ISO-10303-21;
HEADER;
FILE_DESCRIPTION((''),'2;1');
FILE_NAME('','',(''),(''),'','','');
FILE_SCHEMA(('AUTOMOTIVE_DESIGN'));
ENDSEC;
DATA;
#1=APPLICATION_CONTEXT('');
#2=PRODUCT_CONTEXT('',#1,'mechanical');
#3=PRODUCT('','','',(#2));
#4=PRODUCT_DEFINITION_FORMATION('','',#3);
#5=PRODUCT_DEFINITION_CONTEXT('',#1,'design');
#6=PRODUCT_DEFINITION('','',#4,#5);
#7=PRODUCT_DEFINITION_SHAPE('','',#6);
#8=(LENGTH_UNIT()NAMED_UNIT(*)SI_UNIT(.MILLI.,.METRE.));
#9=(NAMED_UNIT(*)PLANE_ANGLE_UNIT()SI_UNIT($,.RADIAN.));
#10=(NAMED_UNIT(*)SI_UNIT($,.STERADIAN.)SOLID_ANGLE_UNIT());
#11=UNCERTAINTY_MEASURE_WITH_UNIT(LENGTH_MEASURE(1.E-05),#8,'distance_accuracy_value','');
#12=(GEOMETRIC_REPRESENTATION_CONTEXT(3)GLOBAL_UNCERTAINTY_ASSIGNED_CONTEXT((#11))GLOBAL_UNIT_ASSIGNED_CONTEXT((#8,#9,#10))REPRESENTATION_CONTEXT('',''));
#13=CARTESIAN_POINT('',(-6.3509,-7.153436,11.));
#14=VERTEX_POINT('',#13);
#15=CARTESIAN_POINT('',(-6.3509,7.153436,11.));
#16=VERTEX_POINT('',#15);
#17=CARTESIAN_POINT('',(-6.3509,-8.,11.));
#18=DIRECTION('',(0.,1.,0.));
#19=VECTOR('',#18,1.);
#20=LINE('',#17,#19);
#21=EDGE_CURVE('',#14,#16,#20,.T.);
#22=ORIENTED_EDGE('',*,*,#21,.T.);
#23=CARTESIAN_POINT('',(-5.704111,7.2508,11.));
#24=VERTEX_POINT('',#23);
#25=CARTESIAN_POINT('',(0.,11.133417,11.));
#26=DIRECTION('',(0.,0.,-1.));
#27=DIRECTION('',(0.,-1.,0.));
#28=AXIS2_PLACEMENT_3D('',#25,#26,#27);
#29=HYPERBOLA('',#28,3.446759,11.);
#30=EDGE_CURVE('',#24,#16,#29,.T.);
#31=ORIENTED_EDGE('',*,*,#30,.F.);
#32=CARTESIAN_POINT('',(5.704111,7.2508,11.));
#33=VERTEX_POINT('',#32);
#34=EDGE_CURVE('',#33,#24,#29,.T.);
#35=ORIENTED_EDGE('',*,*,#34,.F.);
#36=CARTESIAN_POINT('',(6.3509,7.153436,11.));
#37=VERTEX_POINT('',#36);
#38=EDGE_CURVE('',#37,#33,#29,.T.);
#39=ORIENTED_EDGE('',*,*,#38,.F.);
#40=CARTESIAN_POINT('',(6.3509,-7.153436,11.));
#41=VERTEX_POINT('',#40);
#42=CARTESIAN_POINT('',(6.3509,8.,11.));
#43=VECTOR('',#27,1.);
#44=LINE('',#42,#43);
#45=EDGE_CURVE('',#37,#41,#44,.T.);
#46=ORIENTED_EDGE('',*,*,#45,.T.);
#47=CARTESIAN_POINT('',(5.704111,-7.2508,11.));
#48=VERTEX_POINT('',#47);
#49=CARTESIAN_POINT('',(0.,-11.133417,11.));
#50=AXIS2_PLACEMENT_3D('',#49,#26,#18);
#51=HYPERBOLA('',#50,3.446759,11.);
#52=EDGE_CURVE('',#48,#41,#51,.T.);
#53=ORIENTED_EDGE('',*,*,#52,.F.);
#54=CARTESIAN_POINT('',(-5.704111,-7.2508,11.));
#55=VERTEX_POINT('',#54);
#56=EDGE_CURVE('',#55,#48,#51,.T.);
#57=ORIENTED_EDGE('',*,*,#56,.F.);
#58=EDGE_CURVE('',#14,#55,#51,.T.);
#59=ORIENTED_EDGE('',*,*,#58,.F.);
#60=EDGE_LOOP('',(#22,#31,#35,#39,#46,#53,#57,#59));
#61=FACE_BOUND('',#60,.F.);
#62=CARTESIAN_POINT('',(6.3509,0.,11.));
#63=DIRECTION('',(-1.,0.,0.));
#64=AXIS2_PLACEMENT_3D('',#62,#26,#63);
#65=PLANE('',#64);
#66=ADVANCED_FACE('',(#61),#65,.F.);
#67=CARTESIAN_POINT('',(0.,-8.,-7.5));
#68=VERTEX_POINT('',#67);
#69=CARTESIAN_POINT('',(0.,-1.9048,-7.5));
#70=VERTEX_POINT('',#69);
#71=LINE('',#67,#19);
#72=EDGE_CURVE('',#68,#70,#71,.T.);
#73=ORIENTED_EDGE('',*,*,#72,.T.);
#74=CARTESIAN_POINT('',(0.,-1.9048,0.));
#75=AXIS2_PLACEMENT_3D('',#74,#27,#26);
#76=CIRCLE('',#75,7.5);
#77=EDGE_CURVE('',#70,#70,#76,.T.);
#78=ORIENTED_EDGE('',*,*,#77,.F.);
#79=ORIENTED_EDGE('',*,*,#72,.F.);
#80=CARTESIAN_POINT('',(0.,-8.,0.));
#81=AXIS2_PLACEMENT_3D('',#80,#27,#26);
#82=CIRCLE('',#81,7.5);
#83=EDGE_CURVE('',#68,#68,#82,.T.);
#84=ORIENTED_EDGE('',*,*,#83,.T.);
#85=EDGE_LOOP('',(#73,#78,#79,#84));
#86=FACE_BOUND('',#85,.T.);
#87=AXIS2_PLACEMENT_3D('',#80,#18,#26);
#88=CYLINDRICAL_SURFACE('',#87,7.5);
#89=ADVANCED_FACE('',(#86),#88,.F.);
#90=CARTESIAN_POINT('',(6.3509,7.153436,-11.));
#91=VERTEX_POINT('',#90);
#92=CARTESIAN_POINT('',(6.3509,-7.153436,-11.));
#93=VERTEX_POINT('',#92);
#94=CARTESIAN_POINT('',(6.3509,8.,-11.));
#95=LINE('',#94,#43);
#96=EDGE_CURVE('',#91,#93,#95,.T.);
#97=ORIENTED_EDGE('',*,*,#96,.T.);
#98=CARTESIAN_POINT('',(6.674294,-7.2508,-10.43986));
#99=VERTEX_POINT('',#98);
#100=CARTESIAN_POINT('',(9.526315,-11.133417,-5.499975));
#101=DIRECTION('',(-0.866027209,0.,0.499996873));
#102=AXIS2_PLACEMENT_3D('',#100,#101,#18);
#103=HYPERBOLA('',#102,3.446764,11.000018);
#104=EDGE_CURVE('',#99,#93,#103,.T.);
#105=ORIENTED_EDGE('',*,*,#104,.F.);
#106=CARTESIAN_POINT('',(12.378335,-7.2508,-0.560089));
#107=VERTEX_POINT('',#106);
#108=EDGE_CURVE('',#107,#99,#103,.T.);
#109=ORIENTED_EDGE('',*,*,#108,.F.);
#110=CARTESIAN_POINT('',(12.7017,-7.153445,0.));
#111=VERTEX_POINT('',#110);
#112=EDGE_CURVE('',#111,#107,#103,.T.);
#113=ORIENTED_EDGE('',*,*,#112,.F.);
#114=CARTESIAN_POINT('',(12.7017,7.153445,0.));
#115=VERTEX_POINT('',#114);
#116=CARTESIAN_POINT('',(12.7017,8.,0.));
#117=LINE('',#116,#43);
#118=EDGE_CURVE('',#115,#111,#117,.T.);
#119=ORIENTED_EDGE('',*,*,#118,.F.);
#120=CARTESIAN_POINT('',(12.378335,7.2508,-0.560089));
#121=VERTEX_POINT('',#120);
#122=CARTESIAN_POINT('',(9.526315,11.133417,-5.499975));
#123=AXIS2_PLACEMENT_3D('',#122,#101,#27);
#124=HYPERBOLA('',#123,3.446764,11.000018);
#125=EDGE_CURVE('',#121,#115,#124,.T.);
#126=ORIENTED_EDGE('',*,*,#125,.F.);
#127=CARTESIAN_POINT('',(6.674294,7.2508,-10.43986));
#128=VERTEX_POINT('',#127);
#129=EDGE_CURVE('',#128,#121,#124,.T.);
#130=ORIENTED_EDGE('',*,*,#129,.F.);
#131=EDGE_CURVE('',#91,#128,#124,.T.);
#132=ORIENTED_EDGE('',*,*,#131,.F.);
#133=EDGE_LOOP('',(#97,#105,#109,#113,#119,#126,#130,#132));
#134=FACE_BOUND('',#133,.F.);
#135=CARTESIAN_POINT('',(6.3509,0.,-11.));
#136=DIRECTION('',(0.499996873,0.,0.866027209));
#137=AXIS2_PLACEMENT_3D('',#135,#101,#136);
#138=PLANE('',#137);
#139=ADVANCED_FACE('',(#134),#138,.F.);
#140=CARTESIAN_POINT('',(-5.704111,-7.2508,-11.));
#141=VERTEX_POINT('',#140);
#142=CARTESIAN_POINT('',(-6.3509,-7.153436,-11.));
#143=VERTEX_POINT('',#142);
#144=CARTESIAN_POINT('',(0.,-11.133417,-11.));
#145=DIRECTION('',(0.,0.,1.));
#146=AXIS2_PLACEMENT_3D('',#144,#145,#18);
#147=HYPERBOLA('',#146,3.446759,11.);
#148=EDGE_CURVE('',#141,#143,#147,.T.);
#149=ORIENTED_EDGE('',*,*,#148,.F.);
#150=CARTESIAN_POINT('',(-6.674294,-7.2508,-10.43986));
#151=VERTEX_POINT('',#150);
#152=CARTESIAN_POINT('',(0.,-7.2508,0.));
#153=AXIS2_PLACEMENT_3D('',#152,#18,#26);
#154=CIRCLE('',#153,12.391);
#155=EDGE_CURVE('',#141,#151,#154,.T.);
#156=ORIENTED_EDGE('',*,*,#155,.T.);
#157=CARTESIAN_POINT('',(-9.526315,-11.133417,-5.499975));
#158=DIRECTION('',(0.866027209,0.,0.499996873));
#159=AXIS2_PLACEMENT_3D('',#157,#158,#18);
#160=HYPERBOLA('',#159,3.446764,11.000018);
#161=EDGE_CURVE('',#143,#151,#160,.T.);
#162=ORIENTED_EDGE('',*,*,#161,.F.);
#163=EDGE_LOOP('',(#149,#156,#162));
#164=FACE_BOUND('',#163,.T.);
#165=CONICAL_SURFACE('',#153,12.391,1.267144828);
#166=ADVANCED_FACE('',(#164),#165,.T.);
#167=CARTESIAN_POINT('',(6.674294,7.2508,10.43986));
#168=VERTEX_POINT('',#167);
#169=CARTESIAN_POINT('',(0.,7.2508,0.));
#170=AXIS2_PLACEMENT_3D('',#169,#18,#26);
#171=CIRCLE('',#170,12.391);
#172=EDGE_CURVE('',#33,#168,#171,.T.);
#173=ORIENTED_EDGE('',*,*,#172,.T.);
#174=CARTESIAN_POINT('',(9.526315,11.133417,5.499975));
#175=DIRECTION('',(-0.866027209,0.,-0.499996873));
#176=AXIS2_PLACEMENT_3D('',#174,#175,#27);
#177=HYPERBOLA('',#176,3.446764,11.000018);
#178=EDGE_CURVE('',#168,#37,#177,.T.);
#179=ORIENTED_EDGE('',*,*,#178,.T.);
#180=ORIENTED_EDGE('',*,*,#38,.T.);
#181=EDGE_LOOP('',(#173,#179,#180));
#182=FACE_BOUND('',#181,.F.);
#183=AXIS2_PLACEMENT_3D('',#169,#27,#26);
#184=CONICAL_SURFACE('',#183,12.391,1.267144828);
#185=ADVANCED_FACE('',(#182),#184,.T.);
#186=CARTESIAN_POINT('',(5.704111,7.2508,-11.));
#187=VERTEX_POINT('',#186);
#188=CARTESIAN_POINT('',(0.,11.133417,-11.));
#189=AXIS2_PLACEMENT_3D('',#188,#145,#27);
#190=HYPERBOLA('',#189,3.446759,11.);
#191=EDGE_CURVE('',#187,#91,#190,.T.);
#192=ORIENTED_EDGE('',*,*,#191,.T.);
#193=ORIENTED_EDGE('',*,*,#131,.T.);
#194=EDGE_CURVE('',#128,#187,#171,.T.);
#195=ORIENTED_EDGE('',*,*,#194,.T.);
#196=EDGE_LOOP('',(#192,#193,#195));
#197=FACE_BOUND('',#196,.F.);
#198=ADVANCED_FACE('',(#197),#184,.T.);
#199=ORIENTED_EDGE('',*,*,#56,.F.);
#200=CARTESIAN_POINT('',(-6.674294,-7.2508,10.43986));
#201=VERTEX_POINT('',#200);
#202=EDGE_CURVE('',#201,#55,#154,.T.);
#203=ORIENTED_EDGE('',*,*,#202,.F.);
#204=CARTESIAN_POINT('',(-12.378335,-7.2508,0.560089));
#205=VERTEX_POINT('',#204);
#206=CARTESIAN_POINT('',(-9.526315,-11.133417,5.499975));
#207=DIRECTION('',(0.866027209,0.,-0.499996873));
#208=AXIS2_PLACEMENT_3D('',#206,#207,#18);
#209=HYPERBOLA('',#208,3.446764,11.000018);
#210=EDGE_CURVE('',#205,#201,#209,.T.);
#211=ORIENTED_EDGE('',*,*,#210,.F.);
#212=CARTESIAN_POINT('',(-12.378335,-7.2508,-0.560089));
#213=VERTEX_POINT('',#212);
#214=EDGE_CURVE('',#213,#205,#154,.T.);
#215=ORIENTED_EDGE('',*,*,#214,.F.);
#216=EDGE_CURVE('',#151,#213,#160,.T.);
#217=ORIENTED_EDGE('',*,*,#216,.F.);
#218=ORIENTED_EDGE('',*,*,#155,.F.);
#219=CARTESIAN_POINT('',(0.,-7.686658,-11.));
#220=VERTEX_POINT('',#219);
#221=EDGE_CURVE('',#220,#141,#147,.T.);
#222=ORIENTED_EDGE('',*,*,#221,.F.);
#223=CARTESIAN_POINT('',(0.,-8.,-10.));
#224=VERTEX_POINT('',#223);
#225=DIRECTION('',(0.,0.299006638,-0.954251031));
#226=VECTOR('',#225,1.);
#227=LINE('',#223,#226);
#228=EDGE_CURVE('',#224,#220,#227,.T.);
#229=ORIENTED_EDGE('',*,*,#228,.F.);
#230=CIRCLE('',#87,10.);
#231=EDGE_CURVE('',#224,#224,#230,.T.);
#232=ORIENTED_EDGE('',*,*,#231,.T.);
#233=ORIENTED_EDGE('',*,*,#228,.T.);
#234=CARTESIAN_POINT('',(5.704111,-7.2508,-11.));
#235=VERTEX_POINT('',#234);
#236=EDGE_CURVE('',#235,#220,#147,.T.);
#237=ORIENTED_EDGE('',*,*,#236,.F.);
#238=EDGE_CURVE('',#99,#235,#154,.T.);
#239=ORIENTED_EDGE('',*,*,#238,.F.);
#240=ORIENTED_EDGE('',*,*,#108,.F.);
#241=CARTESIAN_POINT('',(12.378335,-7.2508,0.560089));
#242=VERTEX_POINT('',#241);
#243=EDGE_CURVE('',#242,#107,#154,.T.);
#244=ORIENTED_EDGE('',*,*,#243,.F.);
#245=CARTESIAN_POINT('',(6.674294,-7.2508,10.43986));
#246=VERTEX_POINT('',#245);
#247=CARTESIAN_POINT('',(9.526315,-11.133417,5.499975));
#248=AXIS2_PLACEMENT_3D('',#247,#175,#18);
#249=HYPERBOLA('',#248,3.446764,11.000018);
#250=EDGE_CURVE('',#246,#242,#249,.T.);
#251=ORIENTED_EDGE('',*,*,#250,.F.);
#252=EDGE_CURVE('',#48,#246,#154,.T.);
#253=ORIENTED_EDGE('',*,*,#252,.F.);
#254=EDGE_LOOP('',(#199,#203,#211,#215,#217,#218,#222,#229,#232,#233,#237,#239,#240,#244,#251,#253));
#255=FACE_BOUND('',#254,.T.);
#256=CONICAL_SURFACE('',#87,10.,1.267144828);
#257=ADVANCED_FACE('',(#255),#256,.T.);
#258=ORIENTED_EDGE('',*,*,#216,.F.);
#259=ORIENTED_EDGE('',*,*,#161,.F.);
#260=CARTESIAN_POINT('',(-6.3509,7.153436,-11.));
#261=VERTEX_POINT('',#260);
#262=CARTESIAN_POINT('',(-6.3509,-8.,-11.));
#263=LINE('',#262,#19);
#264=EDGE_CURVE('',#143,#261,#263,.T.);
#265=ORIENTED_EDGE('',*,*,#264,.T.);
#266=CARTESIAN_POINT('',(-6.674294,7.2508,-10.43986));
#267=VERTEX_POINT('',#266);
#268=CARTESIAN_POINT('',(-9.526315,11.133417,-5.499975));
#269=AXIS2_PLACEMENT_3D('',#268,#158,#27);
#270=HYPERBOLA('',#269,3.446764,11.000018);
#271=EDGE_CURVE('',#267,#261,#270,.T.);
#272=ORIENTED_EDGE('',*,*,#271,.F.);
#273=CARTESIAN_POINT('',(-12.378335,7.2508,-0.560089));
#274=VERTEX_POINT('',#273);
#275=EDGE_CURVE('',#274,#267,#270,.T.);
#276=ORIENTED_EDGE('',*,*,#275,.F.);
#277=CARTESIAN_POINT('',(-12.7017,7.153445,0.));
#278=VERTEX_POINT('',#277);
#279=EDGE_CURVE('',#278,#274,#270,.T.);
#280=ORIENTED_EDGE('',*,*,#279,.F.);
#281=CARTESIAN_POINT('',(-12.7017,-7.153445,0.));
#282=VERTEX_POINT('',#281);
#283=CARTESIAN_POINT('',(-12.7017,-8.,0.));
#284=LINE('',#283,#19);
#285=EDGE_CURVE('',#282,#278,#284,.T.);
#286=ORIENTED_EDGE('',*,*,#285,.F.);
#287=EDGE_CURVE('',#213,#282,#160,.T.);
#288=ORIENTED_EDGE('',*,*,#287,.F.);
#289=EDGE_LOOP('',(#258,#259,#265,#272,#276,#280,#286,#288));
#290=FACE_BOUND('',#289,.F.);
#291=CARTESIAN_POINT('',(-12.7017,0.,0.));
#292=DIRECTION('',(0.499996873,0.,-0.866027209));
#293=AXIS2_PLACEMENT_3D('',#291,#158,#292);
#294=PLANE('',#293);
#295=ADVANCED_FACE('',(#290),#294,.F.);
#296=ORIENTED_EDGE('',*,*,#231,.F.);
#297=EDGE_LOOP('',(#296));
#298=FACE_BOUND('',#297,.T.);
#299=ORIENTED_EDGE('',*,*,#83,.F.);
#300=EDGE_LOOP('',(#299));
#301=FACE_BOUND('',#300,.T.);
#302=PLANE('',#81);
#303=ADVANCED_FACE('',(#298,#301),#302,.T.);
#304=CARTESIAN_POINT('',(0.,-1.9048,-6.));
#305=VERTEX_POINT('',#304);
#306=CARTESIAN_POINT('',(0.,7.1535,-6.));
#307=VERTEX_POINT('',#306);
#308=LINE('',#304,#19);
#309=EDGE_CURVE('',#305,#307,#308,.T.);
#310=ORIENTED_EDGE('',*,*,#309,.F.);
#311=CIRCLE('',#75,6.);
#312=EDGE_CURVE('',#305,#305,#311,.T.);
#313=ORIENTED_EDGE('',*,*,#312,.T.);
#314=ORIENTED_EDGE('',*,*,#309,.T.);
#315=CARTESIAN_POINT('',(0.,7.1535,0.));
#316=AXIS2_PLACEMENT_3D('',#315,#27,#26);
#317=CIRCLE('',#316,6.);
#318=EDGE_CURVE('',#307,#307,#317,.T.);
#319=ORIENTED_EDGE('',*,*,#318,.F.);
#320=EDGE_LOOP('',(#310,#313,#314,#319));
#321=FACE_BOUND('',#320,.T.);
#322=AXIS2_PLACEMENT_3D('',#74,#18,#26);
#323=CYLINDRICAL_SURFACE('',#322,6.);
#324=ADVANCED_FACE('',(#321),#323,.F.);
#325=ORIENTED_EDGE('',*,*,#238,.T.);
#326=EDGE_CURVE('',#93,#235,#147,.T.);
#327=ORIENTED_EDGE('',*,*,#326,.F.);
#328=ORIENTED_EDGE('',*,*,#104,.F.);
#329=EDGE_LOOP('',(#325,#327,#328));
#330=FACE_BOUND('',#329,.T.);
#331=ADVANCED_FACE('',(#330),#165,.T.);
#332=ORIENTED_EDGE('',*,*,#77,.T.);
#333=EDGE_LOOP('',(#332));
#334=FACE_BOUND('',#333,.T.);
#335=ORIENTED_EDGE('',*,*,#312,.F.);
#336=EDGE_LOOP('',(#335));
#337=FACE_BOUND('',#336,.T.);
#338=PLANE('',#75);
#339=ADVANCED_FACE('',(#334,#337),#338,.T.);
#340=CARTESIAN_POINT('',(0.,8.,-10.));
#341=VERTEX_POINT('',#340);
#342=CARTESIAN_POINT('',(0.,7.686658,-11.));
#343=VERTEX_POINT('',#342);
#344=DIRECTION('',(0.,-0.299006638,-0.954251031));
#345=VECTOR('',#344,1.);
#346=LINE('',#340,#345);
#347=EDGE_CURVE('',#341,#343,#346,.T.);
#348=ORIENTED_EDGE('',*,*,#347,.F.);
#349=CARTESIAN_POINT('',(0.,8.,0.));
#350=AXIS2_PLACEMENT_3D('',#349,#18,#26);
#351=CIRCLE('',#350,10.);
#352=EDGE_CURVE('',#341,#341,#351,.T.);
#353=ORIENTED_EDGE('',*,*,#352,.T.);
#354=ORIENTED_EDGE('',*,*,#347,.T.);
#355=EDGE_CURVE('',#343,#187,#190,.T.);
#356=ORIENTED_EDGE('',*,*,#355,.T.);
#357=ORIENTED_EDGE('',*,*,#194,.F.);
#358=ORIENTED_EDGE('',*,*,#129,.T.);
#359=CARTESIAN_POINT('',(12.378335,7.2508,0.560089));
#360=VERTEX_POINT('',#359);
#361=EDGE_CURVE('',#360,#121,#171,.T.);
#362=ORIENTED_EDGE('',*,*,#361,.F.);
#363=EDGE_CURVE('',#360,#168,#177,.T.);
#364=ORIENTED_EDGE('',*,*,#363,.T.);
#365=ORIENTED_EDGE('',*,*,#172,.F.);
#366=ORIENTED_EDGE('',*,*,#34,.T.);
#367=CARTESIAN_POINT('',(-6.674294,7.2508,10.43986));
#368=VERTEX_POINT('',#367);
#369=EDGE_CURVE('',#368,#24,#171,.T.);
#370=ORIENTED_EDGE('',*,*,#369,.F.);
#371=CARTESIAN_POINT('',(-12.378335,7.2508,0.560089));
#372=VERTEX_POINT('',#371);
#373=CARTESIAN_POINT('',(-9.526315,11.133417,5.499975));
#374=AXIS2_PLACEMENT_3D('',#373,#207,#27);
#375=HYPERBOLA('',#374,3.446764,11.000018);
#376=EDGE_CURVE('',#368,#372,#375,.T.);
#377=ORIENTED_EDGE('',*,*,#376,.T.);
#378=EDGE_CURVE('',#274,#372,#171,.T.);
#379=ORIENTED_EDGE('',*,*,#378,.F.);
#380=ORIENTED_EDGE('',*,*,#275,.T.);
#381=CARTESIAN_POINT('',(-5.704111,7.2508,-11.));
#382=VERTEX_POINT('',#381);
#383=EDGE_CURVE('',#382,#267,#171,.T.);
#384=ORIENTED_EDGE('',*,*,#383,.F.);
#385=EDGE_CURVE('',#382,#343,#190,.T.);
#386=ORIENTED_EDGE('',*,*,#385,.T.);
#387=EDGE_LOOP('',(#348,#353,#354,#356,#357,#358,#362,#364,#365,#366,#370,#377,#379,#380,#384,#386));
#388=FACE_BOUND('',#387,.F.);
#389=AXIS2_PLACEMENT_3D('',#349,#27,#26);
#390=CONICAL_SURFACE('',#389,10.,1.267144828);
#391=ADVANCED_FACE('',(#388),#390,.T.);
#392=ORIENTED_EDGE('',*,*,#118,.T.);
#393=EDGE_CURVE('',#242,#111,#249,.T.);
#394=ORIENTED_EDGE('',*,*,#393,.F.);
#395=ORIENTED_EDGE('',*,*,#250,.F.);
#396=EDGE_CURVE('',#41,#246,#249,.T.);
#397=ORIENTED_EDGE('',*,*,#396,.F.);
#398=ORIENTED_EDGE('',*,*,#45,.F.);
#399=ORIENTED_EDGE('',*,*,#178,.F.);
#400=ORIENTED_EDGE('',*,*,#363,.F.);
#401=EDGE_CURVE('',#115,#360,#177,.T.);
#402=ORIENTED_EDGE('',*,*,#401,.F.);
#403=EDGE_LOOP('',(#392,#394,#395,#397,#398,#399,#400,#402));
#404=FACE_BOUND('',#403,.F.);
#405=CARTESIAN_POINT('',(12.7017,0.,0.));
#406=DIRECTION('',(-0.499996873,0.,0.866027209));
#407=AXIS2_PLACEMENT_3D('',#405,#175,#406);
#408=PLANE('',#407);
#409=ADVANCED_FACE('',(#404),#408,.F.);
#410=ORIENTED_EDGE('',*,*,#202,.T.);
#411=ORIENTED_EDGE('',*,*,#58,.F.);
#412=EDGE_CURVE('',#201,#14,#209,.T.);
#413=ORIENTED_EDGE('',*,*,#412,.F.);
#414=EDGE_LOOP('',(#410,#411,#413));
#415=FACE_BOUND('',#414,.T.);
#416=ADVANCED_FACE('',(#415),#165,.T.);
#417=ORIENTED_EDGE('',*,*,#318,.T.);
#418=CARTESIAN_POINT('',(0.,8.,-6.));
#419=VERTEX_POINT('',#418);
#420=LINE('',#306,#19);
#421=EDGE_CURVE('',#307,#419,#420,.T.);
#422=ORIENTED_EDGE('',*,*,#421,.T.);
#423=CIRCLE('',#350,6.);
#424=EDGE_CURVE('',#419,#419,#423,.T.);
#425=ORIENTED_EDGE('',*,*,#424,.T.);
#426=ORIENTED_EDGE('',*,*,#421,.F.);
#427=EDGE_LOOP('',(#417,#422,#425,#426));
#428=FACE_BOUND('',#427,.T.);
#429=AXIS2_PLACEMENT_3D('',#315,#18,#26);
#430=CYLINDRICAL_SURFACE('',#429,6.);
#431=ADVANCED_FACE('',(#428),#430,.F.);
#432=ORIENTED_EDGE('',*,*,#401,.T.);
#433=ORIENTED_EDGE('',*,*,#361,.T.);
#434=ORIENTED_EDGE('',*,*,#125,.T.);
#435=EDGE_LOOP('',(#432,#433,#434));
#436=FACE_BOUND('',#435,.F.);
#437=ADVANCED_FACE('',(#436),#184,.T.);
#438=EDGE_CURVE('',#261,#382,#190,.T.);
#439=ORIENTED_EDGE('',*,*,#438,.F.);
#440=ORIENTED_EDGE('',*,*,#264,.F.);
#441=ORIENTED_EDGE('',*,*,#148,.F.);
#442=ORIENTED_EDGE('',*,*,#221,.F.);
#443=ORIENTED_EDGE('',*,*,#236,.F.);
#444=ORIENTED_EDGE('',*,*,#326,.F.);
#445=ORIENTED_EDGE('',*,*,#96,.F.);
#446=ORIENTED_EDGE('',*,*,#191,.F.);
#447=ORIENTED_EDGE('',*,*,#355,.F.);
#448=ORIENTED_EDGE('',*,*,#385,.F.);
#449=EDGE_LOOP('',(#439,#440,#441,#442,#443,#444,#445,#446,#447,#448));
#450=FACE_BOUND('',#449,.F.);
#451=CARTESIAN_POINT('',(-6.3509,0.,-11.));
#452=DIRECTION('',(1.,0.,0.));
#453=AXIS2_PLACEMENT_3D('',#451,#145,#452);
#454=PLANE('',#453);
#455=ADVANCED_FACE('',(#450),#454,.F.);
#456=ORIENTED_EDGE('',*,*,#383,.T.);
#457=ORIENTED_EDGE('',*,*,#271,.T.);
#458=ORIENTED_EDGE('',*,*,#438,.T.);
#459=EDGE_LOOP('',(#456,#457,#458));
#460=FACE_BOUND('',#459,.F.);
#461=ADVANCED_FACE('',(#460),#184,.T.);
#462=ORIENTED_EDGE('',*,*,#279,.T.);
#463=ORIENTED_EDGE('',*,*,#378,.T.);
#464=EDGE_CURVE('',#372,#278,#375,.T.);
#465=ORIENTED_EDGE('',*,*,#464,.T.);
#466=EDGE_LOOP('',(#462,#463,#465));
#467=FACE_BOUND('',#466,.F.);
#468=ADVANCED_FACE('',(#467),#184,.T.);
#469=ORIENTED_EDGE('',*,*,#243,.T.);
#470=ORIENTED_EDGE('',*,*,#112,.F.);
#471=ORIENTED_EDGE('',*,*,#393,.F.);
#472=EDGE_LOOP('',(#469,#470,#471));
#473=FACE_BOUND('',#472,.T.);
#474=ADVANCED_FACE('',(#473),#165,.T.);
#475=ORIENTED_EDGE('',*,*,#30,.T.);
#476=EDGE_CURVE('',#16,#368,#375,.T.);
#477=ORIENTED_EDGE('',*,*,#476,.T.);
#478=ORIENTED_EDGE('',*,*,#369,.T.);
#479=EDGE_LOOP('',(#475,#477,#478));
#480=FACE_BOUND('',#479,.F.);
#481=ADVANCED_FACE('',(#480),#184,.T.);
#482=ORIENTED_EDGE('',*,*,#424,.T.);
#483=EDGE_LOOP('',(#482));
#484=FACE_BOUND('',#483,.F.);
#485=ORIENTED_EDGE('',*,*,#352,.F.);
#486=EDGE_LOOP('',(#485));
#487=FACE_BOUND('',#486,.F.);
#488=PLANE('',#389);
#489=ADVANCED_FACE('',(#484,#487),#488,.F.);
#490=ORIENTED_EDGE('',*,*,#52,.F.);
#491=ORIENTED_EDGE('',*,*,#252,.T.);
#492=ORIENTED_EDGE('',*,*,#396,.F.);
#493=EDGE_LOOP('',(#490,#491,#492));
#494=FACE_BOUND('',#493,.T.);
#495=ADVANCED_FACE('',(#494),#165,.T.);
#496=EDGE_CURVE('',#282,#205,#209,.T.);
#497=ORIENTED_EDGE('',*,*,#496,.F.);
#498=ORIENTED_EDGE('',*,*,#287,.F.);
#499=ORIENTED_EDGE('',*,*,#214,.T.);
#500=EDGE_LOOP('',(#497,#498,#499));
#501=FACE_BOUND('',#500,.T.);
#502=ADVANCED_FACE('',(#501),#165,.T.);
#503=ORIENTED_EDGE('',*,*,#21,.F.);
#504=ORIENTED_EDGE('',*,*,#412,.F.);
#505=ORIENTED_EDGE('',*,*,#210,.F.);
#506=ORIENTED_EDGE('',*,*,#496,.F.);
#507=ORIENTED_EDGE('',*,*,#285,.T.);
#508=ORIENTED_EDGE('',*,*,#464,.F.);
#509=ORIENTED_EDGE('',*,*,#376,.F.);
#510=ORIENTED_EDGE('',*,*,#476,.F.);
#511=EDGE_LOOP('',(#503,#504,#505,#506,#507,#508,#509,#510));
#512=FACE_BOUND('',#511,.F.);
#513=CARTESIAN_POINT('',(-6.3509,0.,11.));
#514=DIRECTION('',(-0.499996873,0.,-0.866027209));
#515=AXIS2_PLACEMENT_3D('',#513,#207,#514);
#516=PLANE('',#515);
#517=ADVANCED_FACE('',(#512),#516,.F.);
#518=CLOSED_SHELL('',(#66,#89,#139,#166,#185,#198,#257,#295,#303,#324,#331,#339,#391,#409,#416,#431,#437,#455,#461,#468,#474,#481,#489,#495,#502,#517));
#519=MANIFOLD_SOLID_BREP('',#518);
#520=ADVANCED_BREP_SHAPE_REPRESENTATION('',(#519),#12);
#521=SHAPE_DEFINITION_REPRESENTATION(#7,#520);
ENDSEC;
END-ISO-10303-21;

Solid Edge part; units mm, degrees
sketch "Sketch1" plane through (0, 0, 0) normal (0, -1, 0) x (1, 0, 0)
  line L0 (-6.3509, -11) -> (6.3509, -11)
  line L1 (6.3509, -11) -> (12.7017, 0)
  line L2 (12.7017, 0) -> (6.3509, 11)
  line L3 (6.3509, 11) -> (-6.3509, 11)
  line L4 (-6.3509, 11) -> (-12.7017, 0)
  line L5 (-12.7017, 0) -> (-6.3509, -11)
extrude "Protrusion1" add sketch "Sketch1" along normal mid plane 16
sketch "Sketch2" plane through (0, 0, 0) normal (1, 0, 0) x (0, 1, 0)
  line L0 (8, -10) -> (7.2508, -12.391)
revolve "RevolvedCutout1" cut sketch "Sketch2" angle 360 about axis through (0, -63.5, 0) along (0, 1, 0) material side at (0, 7.6731, -11.2105)
mirror "Mirror1" about plane through (0, 0, 0) normal (0, -1, 0) of "RevolvedCutout1"
sketch "Sketch3" plane through (0, 0, 0) normal (1, 0, 0) x (0, 1, 0)
  line L0 (-8, -7.5) -> (-1.9048, -7.5)
  line L1 (-1.9048, -7.5) -> (-1.9048, -6)
  line L2 (-1.9048, -6) -> (7.1535, -6)
revolve "RevolvedCutout3" cut sketch "Sketch3" angle 360 about axis through (0, 7.1535, 0) along (0, -1, 0) material side at (0, -4.9524, -7.45)
